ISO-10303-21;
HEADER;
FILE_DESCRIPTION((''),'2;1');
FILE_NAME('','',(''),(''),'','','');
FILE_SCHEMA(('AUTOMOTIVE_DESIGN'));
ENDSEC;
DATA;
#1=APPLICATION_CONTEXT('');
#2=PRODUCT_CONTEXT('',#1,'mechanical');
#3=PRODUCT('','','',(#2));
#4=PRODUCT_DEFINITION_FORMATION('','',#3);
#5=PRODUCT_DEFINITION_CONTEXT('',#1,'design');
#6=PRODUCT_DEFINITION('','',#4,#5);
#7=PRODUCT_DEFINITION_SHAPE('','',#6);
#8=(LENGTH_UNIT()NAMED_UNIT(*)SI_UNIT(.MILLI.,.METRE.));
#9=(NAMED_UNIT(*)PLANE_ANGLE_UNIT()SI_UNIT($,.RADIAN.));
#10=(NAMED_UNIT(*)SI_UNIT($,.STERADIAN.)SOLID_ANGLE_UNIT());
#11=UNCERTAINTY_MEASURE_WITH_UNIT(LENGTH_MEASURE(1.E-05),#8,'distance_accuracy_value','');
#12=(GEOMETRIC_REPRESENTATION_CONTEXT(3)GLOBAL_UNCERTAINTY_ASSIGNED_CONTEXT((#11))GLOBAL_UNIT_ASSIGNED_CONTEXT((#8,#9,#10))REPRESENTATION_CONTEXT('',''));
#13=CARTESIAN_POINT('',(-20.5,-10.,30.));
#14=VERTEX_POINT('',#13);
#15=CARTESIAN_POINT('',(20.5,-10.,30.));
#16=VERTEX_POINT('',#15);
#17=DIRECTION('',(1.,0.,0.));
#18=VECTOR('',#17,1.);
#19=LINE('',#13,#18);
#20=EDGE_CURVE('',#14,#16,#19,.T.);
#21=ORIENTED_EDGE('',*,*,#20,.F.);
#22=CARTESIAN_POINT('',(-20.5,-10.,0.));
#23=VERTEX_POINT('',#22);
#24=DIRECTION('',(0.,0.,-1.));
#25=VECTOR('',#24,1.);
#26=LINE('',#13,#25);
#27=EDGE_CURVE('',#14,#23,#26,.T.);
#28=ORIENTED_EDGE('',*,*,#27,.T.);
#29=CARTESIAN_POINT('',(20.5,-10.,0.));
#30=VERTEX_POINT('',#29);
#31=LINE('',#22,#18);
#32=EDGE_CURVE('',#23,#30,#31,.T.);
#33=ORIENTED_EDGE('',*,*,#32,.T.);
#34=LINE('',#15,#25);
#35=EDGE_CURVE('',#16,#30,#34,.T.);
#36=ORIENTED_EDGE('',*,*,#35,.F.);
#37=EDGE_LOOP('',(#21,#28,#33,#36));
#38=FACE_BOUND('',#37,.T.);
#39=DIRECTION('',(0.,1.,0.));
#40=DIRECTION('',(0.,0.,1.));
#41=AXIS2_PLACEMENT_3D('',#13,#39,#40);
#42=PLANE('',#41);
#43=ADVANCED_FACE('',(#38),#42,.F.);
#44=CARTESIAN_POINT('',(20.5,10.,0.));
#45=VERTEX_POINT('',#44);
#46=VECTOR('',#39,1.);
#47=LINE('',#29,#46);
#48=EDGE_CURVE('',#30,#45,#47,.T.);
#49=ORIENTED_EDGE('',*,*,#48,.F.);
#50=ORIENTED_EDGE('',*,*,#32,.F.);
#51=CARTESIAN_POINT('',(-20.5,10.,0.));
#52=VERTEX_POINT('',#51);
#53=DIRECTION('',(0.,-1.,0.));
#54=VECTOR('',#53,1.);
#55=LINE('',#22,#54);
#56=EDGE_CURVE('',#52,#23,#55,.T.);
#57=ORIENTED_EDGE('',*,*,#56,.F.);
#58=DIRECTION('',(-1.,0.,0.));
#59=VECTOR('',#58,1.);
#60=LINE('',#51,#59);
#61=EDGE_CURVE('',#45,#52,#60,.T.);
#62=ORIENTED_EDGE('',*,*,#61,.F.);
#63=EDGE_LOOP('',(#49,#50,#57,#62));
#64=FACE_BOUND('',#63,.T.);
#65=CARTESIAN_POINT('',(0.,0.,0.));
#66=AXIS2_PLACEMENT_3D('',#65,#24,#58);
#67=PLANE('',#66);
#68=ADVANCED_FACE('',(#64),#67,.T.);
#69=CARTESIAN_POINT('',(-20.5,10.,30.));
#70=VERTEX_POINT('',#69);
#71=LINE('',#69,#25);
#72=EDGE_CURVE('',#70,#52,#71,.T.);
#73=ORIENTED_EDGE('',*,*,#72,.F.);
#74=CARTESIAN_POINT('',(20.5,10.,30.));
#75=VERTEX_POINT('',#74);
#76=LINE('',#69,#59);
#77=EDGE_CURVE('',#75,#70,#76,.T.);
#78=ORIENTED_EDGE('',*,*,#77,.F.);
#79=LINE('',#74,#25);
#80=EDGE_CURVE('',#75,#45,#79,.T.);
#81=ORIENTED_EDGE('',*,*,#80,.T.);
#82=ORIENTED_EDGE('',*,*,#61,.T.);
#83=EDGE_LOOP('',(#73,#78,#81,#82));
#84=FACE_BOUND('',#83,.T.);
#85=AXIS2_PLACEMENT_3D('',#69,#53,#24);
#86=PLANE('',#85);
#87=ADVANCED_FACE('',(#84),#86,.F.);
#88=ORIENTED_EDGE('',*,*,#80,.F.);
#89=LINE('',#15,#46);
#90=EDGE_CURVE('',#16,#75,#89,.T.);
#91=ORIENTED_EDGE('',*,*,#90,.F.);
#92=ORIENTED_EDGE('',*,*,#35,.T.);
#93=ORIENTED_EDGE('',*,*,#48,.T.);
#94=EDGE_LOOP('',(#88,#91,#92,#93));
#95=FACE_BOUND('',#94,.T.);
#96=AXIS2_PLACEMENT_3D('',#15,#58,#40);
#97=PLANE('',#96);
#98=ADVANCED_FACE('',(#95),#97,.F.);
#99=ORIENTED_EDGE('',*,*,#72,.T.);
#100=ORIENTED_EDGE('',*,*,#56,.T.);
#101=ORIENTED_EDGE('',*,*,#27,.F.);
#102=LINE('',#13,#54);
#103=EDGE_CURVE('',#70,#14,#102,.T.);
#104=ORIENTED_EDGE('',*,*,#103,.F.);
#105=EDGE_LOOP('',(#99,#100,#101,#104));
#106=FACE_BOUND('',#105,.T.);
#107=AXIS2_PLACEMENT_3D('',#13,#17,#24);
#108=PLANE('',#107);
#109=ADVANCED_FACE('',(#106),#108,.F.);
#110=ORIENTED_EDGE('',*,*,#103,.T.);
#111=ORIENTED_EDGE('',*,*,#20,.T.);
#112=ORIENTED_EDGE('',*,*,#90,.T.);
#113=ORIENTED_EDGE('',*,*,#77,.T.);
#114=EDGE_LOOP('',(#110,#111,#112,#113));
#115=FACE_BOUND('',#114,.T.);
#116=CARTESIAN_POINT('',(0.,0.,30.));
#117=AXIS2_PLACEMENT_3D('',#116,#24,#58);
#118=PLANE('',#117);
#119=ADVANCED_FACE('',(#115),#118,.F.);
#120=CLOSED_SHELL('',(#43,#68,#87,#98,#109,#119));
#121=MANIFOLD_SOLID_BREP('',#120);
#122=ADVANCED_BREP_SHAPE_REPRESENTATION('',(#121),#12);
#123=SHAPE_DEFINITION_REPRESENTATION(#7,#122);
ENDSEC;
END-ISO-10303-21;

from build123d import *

# Parameters (mm, degrees)
CROQUIS1_W              = 41
CROQUIS1_H              = 20
SALIENTE_EXTRUIR1_DEPTH = 30


with BuildPart() as part:
    # Croquis1 → Saliente-Extruir1 (new body)
    with BuildSketch(Plane.XY):
        Rectangle(CROQUIS1_W, CROQUIS1_H)
    extrude(amount=SALIENTE_EXTRUIR1_DEPTH)


solid = part.part
